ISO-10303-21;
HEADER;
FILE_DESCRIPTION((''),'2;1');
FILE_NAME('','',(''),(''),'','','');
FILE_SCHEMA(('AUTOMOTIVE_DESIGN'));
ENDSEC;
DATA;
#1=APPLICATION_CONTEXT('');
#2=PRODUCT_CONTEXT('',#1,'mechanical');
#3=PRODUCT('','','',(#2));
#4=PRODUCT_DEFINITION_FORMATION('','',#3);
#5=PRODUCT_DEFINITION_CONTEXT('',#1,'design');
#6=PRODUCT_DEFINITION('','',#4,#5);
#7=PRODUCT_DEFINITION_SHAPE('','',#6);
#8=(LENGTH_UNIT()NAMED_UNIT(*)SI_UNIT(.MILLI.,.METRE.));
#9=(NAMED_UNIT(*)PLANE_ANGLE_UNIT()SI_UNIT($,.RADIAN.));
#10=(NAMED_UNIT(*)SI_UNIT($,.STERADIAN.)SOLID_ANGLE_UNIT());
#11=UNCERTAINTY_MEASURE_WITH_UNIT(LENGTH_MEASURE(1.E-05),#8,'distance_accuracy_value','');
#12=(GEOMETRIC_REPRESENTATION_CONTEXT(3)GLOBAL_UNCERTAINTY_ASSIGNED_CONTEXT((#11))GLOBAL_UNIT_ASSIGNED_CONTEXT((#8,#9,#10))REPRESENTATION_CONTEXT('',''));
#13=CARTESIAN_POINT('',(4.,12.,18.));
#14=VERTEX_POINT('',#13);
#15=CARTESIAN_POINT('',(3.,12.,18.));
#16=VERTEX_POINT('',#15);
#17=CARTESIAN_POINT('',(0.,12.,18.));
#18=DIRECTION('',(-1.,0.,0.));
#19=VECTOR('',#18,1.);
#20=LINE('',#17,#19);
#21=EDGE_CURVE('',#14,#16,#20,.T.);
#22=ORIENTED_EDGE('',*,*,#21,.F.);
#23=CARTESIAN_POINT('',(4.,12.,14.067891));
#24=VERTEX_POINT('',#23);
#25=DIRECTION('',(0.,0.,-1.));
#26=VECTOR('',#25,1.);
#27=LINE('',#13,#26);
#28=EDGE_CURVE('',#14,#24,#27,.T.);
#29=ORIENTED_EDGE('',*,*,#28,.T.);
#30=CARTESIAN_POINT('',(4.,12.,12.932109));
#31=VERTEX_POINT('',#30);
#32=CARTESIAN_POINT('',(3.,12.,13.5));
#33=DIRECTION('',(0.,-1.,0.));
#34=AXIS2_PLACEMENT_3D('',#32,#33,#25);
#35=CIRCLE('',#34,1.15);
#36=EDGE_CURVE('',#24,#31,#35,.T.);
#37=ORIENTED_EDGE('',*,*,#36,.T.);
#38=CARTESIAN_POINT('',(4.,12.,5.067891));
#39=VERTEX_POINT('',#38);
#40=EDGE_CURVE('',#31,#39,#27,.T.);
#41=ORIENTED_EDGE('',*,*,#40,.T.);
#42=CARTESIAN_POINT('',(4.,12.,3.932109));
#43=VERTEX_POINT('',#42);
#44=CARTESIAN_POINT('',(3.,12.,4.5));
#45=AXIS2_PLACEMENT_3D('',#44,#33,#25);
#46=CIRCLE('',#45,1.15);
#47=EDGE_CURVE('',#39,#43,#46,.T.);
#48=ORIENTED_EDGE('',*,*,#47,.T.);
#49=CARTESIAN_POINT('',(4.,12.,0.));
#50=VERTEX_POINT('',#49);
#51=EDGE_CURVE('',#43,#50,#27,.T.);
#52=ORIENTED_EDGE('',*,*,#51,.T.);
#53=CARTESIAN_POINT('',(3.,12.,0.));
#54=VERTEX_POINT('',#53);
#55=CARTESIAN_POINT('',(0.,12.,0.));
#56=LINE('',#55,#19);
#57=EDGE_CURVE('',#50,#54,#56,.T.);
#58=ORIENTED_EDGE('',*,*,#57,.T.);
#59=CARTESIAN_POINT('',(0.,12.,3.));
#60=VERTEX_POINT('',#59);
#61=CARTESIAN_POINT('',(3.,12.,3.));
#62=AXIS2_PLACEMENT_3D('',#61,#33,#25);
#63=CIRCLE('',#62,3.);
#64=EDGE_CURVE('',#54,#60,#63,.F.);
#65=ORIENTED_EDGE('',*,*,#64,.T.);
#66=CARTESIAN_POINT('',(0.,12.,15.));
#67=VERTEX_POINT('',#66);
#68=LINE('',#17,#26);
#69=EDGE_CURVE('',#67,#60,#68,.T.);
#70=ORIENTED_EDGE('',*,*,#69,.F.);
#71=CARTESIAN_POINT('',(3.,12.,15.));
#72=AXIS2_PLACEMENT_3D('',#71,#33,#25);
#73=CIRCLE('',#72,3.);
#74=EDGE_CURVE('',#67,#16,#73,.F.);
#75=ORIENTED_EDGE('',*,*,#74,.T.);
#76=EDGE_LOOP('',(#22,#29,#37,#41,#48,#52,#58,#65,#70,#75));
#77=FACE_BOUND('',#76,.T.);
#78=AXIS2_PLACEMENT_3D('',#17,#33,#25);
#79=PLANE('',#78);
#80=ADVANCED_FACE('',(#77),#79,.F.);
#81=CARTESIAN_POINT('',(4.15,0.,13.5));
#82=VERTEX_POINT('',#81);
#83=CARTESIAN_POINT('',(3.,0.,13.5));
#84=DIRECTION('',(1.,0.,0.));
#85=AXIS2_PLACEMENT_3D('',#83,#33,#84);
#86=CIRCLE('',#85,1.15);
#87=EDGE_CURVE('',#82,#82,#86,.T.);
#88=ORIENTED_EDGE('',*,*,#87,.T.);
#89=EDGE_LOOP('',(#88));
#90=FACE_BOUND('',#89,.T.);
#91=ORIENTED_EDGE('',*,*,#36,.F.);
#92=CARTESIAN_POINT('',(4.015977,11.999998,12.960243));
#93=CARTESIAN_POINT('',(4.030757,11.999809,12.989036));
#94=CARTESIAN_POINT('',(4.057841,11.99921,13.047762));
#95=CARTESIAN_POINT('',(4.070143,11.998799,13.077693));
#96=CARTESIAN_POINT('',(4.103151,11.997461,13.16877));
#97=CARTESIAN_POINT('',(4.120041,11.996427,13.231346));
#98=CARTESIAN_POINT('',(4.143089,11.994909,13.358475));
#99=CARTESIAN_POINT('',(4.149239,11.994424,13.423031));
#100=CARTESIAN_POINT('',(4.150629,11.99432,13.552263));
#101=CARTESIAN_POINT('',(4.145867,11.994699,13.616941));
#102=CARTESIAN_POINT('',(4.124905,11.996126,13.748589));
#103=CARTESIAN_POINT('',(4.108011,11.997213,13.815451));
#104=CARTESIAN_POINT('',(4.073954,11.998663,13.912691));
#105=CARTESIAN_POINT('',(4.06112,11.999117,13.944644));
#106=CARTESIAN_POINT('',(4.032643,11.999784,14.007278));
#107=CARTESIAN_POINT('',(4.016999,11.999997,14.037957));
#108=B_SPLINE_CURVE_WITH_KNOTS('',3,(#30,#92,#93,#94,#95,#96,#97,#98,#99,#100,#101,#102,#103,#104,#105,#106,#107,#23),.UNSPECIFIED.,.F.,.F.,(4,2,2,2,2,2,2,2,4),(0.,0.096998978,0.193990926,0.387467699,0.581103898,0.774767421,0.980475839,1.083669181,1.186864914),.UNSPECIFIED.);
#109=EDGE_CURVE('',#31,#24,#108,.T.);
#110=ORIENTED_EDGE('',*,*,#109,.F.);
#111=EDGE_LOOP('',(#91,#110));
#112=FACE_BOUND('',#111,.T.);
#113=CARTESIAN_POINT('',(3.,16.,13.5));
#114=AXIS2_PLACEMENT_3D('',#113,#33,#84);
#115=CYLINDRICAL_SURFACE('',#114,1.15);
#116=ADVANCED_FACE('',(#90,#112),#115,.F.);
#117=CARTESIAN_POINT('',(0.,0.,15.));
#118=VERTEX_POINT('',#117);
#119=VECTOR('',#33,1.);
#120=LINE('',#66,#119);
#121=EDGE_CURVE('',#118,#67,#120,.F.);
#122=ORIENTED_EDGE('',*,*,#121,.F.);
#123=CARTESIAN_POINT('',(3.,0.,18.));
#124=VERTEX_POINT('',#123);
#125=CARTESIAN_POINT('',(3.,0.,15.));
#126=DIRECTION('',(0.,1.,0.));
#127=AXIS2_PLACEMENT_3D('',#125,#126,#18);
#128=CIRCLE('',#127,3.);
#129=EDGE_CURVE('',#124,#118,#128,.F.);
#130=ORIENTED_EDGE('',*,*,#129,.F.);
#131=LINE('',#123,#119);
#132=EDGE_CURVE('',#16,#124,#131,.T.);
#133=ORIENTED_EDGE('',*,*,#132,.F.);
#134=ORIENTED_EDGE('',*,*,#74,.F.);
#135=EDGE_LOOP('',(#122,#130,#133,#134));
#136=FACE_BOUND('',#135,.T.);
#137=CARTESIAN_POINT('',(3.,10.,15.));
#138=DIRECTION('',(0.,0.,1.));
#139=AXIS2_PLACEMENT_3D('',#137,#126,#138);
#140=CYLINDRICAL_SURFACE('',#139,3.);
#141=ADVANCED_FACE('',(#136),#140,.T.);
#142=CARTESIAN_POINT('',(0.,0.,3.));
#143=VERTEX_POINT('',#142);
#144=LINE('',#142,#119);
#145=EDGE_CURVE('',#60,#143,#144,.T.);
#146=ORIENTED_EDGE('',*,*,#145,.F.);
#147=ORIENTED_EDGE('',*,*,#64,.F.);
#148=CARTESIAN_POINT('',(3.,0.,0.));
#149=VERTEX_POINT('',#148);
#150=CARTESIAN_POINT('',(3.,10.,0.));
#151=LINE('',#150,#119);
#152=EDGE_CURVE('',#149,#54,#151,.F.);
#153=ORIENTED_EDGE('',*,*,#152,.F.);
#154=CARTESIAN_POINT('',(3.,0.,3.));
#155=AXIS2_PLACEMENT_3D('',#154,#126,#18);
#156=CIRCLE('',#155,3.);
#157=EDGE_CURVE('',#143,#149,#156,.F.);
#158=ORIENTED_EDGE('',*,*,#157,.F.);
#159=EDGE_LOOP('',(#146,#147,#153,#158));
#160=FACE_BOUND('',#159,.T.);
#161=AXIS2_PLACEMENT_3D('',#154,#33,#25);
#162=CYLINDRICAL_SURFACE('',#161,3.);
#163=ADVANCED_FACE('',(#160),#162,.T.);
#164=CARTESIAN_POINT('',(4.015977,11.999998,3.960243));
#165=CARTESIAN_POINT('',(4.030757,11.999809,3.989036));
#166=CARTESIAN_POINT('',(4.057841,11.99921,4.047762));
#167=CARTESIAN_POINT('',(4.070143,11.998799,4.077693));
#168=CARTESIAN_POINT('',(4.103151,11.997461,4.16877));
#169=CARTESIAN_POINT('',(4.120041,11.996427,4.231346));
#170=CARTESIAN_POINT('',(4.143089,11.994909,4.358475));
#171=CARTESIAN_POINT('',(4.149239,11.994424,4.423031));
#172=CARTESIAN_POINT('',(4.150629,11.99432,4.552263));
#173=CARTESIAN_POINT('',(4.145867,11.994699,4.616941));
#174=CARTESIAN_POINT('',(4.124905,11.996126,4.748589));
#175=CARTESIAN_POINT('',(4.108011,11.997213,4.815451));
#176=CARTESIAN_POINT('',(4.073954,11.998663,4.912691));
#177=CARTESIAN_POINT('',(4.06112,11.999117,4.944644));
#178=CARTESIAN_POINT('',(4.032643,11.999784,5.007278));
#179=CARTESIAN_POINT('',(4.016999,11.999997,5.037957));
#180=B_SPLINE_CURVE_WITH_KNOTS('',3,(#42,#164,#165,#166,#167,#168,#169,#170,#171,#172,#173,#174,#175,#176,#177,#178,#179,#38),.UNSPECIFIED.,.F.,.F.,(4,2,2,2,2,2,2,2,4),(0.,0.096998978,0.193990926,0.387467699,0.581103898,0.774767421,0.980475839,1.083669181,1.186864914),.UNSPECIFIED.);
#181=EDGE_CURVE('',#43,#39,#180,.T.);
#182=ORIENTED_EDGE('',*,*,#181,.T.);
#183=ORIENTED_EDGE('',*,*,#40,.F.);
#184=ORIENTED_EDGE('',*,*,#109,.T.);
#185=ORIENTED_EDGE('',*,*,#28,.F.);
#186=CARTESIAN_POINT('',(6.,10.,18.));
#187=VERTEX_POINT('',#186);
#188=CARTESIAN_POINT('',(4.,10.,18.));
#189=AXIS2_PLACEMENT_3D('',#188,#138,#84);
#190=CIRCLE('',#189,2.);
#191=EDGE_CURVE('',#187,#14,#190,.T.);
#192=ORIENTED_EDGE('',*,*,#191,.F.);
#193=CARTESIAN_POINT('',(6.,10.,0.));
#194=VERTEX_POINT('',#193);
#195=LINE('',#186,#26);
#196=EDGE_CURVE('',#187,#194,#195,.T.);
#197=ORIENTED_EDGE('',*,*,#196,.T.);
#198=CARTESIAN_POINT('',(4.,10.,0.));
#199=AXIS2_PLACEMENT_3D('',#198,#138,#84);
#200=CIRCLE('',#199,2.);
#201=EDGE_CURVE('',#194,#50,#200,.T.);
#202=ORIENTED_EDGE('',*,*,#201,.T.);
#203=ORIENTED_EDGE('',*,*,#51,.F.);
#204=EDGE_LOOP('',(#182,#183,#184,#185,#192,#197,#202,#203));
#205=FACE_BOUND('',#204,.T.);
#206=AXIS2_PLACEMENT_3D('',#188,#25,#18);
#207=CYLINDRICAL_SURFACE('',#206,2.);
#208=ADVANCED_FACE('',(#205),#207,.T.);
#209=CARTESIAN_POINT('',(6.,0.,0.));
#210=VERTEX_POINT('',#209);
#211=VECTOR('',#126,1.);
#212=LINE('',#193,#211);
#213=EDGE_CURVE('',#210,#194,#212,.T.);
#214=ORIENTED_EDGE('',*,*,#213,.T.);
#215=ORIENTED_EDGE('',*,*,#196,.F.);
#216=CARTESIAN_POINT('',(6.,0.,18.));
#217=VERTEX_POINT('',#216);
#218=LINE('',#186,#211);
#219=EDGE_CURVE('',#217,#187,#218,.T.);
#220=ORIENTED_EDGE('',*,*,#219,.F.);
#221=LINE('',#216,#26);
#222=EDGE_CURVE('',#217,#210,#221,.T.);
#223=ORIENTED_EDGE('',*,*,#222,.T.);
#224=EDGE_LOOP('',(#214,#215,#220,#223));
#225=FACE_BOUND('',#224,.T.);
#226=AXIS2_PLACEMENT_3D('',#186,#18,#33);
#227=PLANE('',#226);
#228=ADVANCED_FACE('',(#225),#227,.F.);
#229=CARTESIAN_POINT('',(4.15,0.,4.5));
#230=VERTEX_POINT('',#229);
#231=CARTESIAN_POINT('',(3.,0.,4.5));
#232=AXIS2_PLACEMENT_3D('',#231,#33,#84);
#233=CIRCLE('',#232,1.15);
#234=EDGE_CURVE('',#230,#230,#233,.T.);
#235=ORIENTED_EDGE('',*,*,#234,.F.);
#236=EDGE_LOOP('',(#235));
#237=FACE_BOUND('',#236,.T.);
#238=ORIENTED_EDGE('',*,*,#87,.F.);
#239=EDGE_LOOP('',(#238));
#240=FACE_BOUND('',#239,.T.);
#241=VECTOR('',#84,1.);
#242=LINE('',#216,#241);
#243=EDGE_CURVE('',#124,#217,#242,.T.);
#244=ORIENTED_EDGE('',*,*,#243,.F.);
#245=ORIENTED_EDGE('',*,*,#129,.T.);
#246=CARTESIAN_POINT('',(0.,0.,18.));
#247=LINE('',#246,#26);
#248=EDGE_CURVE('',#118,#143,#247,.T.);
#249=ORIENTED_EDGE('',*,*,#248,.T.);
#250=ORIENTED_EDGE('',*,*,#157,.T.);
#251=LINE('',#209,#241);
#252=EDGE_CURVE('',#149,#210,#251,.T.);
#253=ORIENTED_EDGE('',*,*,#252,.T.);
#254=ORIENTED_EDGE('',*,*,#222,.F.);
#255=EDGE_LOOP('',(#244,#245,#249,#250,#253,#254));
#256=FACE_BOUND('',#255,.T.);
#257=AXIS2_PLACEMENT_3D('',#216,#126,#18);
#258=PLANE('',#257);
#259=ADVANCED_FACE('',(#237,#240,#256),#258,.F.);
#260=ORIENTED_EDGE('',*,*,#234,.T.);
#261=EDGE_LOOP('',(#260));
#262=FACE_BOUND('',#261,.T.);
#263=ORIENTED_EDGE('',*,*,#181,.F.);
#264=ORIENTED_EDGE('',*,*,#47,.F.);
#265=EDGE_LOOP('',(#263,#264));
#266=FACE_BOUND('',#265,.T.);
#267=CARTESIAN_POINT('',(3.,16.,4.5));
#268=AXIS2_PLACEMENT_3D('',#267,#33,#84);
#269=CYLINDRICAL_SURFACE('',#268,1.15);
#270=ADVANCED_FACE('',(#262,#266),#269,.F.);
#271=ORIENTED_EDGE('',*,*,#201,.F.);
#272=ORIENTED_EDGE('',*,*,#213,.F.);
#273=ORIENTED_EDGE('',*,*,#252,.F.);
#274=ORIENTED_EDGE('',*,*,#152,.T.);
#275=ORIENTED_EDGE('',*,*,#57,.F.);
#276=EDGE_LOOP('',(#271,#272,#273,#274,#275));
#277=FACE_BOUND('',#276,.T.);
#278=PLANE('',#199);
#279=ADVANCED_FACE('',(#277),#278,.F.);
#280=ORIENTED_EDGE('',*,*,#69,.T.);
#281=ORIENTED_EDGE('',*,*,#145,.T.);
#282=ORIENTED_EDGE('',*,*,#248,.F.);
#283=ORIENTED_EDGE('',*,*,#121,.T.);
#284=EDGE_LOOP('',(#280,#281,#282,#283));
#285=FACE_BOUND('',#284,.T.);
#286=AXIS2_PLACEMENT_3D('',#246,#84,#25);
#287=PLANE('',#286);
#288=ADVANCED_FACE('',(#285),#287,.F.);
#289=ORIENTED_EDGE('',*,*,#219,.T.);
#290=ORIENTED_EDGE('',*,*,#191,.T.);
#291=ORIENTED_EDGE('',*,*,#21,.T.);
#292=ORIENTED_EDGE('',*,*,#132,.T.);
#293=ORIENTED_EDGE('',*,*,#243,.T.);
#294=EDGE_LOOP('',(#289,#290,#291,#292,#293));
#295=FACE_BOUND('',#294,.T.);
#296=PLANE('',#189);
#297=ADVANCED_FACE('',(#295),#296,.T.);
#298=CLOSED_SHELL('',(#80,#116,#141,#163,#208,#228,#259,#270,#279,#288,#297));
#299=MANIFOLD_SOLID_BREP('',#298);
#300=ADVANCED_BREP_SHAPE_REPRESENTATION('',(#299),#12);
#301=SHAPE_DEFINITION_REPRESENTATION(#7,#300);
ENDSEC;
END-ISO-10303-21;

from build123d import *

# Parameters (mm, degrees)
EXTRUDE_1_DEPTH     = 18
SKETCH_2_R          = 1.15
CUT_EXTRUDE_1_DEPTH = 16
FILLET_1_R          = 3


with BuildPart() as part:
    # 草图1 → 凸台-拉伸1 (new body)
    with BuildSketch(Plane.XY):
        with BuildLine():
            Line((6, 0), (0, 0))
            Line((0, 0), (0, 12))
            Line((0, 12), (4, 12))
            ThreePointArc((4, 12), (5.414213562, 11.414213562), (6, 10))
            Line((6, 10), (6, 0))
        make_face()
    extrude(amount=EXTRUDE_1_DEPTH)

    # 草图2 → 切除-拉伸1 (cut)
    with BuildSketch(Plane.XZ):
        with Locations((3, 13.5)):
            Circle(SKETCH_2_R)
        with Locations((3, 4.5)):
            Circle(SKETCH_2_R)
    extrude(amount=-CUT_EXTRUDE_1_DEPTH, mode=Mode.SUBTRACT)

    # 圆角1
    fillet_1_edges = [part.edges().sort_by_distance(p)[0] for p in [
        (0, 6, 18),
        (0, 6, 0),
    ]]
    fillet(fillet_1_edges, radius=FILLET_1_R)


solid = part.part
